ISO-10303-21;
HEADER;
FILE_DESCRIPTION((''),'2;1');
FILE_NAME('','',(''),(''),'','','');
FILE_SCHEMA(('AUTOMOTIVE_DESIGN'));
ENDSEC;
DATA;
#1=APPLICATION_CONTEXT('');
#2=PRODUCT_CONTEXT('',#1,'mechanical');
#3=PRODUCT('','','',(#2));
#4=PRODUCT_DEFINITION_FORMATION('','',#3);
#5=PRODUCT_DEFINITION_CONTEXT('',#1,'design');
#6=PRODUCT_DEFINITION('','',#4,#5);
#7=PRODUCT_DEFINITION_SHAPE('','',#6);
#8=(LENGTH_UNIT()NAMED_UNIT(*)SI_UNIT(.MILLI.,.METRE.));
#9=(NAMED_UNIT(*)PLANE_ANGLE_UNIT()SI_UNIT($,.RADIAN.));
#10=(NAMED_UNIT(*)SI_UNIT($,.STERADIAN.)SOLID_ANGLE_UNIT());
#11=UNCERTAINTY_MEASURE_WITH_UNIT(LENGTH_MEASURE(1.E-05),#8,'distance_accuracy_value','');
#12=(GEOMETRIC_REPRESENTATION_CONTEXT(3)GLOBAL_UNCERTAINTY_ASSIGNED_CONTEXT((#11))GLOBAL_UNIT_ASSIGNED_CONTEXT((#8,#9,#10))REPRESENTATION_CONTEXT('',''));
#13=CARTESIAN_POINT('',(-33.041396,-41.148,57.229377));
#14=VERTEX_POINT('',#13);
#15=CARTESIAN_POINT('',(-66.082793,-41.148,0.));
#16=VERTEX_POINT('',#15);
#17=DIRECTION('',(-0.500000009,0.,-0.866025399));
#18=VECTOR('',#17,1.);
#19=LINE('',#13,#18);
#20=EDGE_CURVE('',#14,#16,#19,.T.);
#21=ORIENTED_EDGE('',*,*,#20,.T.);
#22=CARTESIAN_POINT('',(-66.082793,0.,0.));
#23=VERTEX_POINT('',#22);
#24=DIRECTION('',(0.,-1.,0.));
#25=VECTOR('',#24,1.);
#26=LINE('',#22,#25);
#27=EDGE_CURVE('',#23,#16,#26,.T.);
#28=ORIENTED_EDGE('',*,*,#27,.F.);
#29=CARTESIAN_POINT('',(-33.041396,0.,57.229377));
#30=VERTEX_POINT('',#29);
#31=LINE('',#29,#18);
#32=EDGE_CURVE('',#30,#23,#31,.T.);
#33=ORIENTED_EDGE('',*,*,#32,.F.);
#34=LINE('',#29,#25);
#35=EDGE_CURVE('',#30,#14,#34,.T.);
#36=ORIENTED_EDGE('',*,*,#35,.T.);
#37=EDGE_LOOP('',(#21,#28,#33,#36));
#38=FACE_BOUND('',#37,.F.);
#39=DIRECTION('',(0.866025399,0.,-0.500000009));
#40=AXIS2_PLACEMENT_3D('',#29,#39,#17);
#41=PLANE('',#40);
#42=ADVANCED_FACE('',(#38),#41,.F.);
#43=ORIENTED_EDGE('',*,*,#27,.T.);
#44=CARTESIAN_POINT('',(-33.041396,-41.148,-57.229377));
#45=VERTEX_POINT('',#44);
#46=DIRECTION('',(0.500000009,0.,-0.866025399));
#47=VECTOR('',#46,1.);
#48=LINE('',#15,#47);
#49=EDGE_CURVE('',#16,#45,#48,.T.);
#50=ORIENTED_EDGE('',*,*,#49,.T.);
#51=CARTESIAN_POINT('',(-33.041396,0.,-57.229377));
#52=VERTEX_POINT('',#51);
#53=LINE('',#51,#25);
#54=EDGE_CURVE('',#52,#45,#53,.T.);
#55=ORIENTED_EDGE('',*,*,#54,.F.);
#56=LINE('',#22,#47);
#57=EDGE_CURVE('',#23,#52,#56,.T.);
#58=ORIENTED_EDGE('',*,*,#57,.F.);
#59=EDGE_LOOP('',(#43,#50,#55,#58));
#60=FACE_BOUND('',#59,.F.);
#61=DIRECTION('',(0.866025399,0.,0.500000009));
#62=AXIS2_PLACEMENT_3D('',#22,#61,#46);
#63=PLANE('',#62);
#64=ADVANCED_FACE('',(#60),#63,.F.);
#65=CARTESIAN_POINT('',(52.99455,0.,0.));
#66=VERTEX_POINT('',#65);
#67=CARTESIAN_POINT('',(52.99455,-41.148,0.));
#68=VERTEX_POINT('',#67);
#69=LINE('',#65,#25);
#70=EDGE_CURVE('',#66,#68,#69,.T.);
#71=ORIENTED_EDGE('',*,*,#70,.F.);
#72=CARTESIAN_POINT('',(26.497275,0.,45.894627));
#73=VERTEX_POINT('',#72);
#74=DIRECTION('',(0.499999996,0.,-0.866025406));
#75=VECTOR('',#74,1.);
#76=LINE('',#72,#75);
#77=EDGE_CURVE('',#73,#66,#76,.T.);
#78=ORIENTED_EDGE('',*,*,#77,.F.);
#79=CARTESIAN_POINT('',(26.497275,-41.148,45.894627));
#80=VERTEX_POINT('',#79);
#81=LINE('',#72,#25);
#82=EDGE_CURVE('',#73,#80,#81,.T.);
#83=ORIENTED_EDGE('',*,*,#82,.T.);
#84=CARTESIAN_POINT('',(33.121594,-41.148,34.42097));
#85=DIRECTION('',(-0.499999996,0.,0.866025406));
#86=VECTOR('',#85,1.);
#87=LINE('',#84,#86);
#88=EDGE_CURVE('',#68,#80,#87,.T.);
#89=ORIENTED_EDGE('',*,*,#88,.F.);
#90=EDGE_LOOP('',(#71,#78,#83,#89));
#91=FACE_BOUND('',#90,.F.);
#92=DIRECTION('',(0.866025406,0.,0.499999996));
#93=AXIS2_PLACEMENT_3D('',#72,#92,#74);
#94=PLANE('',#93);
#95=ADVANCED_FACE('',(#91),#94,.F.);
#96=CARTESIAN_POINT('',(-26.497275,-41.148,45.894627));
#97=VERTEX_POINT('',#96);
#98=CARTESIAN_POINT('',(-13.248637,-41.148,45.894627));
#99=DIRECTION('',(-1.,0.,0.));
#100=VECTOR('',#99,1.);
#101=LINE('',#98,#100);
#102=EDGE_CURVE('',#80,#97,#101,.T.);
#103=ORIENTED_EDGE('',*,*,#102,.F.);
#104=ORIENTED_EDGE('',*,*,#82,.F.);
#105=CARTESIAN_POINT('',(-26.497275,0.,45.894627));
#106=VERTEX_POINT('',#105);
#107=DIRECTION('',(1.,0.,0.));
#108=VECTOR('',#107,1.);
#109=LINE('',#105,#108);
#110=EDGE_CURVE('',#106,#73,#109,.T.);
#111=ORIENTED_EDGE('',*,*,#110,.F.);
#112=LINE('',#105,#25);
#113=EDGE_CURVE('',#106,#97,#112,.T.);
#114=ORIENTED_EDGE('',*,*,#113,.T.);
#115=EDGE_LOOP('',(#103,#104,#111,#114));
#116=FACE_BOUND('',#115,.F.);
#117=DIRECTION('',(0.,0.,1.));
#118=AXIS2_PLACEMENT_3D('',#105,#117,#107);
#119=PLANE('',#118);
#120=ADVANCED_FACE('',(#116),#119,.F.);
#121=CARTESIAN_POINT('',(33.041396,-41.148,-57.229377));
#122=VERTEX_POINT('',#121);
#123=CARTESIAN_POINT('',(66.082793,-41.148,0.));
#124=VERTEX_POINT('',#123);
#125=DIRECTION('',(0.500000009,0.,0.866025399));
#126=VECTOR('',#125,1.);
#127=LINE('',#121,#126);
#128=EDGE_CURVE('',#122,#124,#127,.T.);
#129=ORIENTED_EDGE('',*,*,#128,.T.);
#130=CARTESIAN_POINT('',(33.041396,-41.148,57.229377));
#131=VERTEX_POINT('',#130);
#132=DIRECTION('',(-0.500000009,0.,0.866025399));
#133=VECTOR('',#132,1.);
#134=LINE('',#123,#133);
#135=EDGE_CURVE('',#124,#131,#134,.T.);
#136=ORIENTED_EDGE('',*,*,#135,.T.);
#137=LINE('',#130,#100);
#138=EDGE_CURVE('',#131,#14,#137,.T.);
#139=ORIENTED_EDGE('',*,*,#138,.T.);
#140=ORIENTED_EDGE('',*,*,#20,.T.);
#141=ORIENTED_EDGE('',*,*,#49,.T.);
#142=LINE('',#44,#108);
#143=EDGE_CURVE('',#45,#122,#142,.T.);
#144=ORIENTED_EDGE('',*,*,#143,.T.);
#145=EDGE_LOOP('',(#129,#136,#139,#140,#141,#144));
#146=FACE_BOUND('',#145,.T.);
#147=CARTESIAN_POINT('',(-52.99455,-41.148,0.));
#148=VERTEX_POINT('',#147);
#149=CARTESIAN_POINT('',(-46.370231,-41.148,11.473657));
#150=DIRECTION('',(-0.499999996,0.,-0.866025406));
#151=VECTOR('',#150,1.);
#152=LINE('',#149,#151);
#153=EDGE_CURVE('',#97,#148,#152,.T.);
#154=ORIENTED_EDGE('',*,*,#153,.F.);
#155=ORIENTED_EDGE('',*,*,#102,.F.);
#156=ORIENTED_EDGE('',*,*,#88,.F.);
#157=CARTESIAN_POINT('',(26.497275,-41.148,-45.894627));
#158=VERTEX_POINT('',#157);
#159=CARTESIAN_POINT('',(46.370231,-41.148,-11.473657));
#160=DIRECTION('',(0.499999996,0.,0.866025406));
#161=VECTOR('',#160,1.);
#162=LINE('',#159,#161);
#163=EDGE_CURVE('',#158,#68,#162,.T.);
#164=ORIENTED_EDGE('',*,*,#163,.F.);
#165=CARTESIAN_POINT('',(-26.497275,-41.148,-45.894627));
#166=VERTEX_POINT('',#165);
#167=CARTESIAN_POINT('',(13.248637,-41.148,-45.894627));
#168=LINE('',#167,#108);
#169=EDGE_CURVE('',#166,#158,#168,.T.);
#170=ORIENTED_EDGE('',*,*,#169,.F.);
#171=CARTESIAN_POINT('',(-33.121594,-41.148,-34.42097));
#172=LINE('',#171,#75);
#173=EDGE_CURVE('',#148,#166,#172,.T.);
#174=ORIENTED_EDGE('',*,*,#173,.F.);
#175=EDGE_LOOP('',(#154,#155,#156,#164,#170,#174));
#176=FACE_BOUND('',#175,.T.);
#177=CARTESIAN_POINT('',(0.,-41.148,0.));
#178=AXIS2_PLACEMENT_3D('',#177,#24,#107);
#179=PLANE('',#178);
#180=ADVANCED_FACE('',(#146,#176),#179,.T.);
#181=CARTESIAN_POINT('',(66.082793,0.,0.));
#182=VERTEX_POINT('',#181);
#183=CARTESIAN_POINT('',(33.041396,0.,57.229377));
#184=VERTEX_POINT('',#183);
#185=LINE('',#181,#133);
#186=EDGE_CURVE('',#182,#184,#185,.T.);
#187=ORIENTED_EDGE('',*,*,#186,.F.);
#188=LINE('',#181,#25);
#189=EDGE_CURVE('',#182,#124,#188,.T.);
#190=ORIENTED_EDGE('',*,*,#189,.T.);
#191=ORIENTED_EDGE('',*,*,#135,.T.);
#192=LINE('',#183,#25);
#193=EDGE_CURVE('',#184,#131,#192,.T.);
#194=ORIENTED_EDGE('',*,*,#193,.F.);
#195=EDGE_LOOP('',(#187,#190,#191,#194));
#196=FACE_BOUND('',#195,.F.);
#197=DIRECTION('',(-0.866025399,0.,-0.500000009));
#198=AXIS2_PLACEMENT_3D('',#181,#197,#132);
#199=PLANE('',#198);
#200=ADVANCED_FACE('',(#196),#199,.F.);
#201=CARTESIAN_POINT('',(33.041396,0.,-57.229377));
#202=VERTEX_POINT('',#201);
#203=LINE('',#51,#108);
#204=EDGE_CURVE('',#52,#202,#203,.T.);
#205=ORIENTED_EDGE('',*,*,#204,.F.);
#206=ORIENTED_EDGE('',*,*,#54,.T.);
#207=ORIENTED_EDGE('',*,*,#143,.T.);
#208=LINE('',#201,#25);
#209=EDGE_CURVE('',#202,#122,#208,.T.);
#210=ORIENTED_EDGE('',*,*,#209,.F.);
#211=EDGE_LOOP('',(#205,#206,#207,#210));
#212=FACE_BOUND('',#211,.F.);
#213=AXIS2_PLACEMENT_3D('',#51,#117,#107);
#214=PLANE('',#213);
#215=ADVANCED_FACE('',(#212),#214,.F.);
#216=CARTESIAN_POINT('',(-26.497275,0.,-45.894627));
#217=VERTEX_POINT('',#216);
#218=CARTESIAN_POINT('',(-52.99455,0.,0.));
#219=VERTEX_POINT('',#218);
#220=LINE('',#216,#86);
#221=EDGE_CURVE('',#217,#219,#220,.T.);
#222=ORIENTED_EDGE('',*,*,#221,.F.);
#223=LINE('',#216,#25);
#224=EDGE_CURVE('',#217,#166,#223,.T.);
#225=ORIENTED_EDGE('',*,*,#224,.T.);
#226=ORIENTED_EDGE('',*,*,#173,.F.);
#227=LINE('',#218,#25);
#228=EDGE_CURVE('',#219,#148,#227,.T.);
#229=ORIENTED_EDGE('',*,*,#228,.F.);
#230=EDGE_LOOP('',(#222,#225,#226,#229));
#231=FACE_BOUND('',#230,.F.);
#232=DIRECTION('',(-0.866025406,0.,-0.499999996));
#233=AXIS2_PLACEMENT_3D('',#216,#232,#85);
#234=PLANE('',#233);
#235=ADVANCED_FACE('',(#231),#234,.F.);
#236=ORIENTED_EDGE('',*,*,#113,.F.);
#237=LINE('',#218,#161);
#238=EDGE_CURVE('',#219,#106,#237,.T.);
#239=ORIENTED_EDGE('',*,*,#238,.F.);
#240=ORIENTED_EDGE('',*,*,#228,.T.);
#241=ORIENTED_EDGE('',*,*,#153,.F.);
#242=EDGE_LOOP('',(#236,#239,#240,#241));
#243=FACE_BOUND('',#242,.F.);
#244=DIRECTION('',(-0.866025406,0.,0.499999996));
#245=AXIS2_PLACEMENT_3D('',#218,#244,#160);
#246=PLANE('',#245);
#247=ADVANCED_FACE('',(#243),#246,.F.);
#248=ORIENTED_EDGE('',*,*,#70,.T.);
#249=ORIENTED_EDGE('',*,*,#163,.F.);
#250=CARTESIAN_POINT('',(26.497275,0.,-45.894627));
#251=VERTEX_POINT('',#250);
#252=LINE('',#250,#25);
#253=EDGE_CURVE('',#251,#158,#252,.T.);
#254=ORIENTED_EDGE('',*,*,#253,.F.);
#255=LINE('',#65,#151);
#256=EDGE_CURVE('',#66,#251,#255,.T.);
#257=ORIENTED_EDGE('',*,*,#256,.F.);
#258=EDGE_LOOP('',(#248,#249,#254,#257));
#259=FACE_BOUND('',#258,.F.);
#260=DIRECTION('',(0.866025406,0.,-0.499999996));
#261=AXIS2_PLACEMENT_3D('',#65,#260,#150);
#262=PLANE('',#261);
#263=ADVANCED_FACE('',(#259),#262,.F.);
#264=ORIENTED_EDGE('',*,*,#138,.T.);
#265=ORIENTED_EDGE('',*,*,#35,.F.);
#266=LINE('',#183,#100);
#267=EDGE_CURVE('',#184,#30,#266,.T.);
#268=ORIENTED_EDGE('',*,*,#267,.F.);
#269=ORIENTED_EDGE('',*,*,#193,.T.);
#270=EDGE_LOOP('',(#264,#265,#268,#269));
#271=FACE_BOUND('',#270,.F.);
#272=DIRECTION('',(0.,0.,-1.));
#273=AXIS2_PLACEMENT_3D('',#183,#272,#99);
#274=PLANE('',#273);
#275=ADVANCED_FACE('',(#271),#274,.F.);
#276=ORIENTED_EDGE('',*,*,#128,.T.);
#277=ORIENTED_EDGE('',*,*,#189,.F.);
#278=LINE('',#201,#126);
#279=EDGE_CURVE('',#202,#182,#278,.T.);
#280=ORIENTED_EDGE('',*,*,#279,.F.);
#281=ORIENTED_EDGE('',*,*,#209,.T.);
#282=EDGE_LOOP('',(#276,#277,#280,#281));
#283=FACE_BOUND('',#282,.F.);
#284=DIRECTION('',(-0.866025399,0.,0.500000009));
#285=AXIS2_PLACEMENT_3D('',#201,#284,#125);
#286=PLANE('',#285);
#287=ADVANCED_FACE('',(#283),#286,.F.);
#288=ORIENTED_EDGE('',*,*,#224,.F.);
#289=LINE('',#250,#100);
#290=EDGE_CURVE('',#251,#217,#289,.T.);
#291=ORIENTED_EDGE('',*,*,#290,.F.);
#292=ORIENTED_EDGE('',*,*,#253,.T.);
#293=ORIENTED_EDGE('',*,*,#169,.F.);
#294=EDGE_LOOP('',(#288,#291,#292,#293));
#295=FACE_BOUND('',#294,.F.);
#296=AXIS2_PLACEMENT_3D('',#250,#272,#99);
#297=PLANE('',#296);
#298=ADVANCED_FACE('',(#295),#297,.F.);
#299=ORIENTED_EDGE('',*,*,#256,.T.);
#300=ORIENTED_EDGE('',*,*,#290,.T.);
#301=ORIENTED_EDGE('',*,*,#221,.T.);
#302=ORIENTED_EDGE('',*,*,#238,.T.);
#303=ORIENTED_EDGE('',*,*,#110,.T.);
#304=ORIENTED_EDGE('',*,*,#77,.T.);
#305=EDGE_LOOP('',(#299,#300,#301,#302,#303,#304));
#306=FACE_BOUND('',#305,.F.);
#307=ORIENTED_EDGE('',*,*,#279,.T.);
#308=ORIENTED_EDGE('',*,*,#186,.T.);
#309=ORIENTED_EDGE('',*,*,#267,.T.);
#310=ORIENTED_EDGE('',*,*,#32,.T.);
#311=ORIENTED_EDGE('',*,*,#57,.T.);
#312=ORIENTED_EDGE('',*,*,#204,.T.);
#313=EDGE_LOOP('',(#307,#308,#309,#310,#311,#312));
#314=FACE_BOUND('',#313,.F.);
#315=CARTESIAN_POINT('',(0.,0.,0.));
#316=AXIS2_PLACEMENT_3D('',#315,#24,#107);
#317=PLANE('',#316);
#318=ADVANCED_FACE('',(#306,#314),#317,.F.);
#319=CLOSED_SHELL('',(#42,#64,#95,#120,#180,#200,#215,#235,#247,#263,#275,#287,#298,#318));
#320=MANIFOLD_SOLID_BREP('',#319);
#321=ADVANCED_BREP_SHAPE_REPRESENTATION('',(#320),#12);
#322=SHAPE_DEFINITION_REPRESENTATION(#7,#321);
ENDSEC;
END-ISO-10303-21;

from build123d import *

# Parameters (mm, degrees)
F1_DEPTH = 41.148
F3_DEPTH = 166.878


with BuildPart() as f1:
    # F0 (on Front) → F1 (new body)
    with BuildSketch(Plane.XZ):
        Polygon((33.041396, 57.229377), (-33.041396, 57.229377), (-66.082793, 0), (-33.041396, -57.229377), (33.041396, -57.229377), (66.082793, 0), align=None)
    extrude(amount=F1_DEPTH)

    # F2 (on face) → F3 (cut)
    with BuildSketch(Plane(origin=(0, 0, 0), x_dir=(-1, 0, 0), z_dir=(0, 1, 0))):
        Polygon((26.497275, 45.894627), (-26.497275, 45.894627), (-52.99455, 0), (-26.497275, -45.894627), (26.497275, -45.894627), (52.99455, 0), align=None)
    extrude(amount=-F3_DEPTH, mode=Mode.SUBTRACT)


solid = f1.part
